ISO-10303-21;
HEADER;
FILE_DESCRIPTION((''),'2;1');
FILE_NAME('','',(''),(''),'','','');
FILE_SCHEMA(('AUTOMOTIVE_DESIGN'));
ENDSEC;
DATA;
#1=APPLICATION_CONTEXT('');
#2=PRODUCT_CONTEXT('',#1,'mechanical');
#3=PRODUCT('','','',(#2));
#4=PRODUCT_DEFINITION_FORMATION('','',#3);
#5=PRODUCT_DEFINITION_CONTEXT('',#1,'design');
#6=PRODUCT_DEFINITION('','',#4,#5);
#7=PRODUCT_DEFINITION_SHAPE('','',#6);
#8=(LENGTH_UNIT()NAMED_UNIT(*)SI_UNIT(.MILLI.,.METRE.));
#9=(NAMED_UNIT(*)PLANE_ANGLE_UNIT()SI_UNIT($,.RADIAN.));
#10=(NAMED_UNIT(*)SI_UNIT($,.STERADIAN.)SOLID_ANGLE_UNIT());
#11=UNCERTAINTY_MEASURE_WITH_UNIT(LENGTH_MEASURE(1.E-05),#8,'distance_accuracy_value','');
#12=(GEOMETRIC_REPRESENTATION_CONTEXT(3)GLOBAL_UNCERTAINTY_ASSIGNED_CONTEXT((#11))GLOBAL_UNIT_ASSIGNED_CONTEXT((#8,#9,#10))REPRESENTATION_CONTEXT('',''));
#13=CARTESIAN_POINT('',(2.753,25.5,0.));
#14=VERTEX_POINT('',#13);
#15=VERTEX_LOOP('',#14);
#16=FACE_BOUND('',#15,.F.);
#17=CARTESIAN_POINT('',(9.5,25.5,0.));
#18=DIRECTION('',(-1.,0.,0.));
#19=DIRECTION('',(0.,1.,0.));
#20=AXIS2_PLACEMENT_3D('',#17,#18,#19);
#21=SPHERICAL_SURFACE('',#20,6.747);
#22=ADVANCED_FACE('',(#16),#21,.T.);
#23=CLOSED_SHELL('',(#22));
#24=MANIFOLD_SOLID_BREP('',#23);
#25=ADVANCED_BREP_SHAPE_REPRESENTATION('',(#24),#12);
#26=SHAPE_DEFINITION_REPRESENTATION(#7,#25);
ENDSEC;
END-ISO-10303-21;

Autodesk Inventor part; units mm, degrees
ref_plane "YZ Plane" through (0, 0, 0) normal (1, 0, 0) x (0, 1, 0)
ref_plane "XZ Plane" through (0, 0, 0) normal (0, 1, 0) x (-1, 0, 0)
ref_plane "XY Plane" through (0, 0, 0) normal (0, 0, 1) x (1, 0, 0)
sketch "Sketch_1" plane through (0, 0, 0) normal (0, 0, 1) x (1, 0, 0)
  line L0 (16.247, 25.5) -> (2.753, 25.5)
  arc A0 (16.247, 25.5) -> (2.753, 25.5) centre (9.5, 25.5) ccw
  line L1 (16.247, 25.5) -> (2.753, 25.5)
  dimension "d0" = 360
revolve "Revolution1" add sketch "Sketch_1" angle 360 about axis through (16.247, 25.5, 0) along (1, 0, 0)
properties part number "7306 BE-2RZP_PART3" material "Stainless Steel, 440C"
